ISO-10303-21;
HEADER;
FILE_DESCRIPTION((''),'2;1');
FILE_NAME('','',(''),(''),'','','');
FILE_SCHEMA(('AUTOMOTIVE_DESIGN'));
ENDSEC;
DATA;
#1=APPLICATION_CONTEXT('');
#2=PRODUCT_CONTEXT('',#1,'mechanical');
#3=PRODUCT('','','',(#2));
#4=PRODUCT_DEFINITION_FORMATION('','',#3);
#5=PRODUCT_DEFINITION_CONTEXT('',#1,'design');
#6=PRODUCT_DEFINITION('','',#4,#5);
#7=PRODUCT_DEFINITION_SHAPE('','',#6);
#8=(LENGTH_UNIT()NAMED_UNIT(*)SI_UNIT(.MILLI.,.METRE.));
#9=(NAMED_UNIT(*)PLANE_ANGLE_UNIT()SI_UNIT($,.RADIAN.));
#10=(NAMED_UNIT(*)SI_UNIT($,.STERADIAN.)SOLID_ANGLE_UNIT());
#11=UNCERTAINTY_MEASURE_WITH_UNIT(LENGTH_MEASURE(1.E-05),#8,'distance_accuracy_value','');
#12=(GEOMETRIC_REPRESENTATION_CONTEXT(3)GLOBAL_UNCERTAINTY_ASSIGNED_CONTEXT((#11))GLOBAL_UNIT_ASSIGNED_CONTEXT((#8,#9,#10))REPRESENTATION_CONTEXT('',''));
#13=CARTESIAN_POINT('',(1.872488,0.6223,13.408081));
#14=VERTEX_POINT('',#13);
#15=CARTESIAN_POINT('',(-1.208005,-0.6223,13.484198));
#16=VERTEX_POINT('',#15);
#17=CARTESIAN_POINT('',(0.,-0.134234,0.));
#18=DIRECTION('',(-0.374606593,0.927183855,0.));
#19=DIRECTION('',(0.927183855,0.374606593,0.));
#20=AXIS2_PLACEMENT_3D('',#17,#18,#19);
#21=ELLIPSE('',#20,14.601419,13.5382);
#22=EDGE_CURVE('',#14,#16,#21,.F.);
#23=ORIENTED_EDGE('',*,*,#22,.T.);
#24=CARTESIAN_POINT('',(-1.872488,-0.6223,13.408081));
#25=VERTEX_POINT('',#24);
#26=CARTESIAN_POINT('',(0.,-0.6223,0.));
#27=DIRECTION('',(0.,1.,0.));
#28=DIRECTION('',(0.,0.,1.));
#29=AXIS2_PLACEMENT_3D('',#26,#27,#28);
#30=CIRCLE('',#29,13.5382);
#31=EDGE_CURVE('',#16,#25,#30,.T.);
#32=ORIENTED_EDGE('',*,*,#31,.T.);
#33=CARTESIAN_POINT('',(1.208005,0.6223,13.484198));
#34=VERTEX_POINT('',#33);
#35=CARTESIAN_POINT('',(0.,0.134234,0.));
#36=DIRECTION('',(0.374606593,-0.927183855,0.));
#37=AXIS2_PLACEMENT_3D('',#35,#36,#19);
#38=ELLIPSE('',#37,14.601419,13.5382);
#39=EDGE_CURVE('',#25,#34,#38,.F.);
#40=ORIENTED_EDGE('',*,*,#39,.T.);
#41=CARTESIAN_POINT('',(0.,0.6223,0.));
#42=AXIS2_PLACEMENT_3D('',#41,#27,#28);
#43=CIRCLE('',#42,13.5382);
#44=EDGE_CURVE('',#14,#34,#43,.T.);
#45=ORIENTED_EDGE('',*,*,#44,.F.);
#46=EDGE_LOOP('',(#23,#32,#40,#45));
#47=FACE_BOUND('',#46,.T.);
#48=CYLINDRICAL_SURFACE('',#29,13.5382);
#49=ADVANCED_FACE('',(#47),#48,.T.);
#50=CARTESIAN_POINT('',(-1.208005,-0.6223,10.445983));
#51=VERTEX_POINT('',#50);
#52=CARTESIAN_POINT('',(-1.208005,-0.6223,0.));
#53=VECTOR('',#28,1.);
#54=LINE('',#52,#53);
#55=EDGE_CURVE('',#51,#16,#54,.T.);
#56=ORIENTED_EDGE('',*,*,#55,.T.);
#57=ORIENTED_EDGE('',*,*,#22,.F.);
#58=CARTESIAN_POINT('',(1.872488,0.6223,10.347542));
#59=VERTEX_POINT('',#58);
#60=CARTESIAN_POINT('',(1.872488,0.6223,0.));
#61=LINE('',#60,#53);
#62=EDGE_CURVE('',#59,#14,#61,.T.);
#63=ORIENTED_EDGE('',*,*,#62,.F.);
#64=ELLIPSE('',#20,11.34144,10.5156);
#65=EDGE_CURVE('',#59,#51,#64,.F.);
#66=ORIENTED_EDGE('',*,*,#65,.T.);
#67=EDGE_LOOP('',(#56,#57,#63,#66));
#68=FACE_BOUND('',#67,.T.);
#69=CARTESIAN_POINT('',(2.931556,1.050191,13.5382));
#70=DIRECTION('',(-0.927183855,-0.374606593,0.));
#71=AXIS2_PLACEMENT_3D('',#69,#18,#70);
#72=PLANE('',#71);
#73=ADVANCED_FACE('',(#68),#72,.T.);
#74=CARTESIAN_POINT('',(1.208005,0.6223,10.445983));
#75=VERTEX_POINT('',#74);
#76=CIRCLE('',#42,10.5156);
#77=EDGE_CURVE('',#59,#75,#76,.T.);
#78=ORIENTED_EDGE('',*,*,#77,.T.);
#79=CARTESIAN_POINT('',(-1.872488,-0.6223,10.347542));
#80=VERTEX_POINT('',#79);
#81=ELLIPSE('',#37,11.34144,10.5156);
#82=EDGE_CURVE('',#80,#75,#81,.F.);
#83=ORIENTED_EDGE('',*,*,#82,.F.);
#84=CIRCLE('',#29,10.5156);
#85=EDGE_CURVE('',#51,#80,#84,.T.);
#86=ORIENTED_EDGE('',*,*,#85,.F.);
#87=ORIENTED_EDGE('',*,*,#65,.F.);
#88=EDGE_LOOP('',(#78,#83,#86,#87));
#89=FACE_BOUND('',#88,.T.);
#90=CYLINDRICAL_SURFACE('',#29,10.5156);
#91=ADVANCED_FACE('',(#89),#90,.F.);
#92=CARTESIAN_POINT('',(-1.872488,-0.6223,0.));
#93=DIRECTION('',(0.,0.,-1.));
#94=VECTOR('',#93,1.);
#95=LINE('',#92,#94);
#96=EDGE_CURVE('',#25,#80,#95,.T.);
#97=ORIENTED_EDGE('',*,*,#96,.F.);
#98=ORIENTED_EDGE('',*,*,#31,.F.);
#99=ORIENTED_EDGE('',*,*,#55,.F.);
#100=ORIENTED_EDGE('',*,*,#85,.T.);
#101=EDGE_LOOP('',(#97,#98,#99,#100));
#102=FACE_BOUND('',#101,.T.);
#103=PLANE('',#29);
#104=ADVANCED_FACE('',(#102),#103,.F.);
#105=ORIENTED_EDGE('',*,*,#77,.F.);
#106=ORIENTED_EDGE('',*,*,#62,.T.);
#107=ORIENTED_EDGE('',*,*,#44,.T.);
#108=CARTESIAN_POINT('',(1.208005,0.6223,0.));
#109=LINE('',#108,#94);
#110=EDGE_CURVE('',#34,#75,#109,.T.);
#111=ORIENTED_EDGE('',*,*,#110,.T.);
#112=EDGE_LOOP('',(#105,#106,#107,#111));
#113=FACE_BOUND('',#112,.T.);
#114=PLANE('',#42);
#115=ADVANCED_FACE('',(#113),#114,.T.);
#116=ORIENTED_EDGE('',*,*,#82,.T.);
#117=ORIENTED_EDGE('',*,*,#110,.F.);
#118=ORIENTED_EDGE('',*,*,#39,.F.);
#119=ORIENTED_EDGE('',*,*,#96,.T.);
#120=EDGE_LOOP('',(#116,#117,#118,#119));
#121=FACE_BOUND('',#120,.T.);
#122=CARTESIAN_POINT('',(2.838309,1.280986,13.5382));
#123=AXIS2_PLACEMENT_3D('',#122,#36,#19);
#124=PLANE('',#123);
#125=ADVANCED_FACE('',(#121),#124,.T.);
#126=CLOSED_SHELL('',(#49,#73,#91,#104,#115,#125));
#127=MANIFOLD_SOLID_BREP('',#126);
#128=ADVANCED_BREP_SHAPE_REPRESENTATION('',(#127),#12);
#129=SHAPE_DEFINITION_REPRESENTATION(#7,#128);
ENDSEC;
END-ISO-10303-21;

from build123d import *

# Parameters (mm, degrees)
SKETCH3_R                = 13.5382
SKETCH3_R_2              = 10.5156
BOSS_EXTRUDE1_DEPTH      = 0.6223
BOSS_EXTRUDE1_DEPTH_BACK = 0.6223
CUT_EXTRUDE1_DEPTH       = 14.5382


with BuildPart() as part:
    # Sketch3 → Boss-Extrude1 (new body, two sides)
    with BuildSketch(Plane(origin=(0, 0, 0), x_dir=(1, 0, 0), z_dir=(0, 1, 0))) as boss_extrude1_sk:
        Circle(SKETCH3_R)
        Circle(SKETCH3_R_2, mode=Mode.SUBTRACT)
    extrude(amount=BOSS_EXTRUDE1_DEPTH)
    extrude(boss_extrude1_sk.sketch, amount=-BOSS_EXTRUDE1_DEPTH_BACK)

    # Sketch4 → Cut-Extrude1 (cut, through all)
    with BuildSketch(Plane.XY):
        Polygon((2.838309027, 1.280985718), (-2.9315561, -1.050191113), (-2.838309027, -1.280985718), (2.9315561, 1.050191113), align=None)
    extrude(amount=CUT_EXTRUDE1_DEPTH, mode=Mode.SUBTRACT)


solid = part.part
